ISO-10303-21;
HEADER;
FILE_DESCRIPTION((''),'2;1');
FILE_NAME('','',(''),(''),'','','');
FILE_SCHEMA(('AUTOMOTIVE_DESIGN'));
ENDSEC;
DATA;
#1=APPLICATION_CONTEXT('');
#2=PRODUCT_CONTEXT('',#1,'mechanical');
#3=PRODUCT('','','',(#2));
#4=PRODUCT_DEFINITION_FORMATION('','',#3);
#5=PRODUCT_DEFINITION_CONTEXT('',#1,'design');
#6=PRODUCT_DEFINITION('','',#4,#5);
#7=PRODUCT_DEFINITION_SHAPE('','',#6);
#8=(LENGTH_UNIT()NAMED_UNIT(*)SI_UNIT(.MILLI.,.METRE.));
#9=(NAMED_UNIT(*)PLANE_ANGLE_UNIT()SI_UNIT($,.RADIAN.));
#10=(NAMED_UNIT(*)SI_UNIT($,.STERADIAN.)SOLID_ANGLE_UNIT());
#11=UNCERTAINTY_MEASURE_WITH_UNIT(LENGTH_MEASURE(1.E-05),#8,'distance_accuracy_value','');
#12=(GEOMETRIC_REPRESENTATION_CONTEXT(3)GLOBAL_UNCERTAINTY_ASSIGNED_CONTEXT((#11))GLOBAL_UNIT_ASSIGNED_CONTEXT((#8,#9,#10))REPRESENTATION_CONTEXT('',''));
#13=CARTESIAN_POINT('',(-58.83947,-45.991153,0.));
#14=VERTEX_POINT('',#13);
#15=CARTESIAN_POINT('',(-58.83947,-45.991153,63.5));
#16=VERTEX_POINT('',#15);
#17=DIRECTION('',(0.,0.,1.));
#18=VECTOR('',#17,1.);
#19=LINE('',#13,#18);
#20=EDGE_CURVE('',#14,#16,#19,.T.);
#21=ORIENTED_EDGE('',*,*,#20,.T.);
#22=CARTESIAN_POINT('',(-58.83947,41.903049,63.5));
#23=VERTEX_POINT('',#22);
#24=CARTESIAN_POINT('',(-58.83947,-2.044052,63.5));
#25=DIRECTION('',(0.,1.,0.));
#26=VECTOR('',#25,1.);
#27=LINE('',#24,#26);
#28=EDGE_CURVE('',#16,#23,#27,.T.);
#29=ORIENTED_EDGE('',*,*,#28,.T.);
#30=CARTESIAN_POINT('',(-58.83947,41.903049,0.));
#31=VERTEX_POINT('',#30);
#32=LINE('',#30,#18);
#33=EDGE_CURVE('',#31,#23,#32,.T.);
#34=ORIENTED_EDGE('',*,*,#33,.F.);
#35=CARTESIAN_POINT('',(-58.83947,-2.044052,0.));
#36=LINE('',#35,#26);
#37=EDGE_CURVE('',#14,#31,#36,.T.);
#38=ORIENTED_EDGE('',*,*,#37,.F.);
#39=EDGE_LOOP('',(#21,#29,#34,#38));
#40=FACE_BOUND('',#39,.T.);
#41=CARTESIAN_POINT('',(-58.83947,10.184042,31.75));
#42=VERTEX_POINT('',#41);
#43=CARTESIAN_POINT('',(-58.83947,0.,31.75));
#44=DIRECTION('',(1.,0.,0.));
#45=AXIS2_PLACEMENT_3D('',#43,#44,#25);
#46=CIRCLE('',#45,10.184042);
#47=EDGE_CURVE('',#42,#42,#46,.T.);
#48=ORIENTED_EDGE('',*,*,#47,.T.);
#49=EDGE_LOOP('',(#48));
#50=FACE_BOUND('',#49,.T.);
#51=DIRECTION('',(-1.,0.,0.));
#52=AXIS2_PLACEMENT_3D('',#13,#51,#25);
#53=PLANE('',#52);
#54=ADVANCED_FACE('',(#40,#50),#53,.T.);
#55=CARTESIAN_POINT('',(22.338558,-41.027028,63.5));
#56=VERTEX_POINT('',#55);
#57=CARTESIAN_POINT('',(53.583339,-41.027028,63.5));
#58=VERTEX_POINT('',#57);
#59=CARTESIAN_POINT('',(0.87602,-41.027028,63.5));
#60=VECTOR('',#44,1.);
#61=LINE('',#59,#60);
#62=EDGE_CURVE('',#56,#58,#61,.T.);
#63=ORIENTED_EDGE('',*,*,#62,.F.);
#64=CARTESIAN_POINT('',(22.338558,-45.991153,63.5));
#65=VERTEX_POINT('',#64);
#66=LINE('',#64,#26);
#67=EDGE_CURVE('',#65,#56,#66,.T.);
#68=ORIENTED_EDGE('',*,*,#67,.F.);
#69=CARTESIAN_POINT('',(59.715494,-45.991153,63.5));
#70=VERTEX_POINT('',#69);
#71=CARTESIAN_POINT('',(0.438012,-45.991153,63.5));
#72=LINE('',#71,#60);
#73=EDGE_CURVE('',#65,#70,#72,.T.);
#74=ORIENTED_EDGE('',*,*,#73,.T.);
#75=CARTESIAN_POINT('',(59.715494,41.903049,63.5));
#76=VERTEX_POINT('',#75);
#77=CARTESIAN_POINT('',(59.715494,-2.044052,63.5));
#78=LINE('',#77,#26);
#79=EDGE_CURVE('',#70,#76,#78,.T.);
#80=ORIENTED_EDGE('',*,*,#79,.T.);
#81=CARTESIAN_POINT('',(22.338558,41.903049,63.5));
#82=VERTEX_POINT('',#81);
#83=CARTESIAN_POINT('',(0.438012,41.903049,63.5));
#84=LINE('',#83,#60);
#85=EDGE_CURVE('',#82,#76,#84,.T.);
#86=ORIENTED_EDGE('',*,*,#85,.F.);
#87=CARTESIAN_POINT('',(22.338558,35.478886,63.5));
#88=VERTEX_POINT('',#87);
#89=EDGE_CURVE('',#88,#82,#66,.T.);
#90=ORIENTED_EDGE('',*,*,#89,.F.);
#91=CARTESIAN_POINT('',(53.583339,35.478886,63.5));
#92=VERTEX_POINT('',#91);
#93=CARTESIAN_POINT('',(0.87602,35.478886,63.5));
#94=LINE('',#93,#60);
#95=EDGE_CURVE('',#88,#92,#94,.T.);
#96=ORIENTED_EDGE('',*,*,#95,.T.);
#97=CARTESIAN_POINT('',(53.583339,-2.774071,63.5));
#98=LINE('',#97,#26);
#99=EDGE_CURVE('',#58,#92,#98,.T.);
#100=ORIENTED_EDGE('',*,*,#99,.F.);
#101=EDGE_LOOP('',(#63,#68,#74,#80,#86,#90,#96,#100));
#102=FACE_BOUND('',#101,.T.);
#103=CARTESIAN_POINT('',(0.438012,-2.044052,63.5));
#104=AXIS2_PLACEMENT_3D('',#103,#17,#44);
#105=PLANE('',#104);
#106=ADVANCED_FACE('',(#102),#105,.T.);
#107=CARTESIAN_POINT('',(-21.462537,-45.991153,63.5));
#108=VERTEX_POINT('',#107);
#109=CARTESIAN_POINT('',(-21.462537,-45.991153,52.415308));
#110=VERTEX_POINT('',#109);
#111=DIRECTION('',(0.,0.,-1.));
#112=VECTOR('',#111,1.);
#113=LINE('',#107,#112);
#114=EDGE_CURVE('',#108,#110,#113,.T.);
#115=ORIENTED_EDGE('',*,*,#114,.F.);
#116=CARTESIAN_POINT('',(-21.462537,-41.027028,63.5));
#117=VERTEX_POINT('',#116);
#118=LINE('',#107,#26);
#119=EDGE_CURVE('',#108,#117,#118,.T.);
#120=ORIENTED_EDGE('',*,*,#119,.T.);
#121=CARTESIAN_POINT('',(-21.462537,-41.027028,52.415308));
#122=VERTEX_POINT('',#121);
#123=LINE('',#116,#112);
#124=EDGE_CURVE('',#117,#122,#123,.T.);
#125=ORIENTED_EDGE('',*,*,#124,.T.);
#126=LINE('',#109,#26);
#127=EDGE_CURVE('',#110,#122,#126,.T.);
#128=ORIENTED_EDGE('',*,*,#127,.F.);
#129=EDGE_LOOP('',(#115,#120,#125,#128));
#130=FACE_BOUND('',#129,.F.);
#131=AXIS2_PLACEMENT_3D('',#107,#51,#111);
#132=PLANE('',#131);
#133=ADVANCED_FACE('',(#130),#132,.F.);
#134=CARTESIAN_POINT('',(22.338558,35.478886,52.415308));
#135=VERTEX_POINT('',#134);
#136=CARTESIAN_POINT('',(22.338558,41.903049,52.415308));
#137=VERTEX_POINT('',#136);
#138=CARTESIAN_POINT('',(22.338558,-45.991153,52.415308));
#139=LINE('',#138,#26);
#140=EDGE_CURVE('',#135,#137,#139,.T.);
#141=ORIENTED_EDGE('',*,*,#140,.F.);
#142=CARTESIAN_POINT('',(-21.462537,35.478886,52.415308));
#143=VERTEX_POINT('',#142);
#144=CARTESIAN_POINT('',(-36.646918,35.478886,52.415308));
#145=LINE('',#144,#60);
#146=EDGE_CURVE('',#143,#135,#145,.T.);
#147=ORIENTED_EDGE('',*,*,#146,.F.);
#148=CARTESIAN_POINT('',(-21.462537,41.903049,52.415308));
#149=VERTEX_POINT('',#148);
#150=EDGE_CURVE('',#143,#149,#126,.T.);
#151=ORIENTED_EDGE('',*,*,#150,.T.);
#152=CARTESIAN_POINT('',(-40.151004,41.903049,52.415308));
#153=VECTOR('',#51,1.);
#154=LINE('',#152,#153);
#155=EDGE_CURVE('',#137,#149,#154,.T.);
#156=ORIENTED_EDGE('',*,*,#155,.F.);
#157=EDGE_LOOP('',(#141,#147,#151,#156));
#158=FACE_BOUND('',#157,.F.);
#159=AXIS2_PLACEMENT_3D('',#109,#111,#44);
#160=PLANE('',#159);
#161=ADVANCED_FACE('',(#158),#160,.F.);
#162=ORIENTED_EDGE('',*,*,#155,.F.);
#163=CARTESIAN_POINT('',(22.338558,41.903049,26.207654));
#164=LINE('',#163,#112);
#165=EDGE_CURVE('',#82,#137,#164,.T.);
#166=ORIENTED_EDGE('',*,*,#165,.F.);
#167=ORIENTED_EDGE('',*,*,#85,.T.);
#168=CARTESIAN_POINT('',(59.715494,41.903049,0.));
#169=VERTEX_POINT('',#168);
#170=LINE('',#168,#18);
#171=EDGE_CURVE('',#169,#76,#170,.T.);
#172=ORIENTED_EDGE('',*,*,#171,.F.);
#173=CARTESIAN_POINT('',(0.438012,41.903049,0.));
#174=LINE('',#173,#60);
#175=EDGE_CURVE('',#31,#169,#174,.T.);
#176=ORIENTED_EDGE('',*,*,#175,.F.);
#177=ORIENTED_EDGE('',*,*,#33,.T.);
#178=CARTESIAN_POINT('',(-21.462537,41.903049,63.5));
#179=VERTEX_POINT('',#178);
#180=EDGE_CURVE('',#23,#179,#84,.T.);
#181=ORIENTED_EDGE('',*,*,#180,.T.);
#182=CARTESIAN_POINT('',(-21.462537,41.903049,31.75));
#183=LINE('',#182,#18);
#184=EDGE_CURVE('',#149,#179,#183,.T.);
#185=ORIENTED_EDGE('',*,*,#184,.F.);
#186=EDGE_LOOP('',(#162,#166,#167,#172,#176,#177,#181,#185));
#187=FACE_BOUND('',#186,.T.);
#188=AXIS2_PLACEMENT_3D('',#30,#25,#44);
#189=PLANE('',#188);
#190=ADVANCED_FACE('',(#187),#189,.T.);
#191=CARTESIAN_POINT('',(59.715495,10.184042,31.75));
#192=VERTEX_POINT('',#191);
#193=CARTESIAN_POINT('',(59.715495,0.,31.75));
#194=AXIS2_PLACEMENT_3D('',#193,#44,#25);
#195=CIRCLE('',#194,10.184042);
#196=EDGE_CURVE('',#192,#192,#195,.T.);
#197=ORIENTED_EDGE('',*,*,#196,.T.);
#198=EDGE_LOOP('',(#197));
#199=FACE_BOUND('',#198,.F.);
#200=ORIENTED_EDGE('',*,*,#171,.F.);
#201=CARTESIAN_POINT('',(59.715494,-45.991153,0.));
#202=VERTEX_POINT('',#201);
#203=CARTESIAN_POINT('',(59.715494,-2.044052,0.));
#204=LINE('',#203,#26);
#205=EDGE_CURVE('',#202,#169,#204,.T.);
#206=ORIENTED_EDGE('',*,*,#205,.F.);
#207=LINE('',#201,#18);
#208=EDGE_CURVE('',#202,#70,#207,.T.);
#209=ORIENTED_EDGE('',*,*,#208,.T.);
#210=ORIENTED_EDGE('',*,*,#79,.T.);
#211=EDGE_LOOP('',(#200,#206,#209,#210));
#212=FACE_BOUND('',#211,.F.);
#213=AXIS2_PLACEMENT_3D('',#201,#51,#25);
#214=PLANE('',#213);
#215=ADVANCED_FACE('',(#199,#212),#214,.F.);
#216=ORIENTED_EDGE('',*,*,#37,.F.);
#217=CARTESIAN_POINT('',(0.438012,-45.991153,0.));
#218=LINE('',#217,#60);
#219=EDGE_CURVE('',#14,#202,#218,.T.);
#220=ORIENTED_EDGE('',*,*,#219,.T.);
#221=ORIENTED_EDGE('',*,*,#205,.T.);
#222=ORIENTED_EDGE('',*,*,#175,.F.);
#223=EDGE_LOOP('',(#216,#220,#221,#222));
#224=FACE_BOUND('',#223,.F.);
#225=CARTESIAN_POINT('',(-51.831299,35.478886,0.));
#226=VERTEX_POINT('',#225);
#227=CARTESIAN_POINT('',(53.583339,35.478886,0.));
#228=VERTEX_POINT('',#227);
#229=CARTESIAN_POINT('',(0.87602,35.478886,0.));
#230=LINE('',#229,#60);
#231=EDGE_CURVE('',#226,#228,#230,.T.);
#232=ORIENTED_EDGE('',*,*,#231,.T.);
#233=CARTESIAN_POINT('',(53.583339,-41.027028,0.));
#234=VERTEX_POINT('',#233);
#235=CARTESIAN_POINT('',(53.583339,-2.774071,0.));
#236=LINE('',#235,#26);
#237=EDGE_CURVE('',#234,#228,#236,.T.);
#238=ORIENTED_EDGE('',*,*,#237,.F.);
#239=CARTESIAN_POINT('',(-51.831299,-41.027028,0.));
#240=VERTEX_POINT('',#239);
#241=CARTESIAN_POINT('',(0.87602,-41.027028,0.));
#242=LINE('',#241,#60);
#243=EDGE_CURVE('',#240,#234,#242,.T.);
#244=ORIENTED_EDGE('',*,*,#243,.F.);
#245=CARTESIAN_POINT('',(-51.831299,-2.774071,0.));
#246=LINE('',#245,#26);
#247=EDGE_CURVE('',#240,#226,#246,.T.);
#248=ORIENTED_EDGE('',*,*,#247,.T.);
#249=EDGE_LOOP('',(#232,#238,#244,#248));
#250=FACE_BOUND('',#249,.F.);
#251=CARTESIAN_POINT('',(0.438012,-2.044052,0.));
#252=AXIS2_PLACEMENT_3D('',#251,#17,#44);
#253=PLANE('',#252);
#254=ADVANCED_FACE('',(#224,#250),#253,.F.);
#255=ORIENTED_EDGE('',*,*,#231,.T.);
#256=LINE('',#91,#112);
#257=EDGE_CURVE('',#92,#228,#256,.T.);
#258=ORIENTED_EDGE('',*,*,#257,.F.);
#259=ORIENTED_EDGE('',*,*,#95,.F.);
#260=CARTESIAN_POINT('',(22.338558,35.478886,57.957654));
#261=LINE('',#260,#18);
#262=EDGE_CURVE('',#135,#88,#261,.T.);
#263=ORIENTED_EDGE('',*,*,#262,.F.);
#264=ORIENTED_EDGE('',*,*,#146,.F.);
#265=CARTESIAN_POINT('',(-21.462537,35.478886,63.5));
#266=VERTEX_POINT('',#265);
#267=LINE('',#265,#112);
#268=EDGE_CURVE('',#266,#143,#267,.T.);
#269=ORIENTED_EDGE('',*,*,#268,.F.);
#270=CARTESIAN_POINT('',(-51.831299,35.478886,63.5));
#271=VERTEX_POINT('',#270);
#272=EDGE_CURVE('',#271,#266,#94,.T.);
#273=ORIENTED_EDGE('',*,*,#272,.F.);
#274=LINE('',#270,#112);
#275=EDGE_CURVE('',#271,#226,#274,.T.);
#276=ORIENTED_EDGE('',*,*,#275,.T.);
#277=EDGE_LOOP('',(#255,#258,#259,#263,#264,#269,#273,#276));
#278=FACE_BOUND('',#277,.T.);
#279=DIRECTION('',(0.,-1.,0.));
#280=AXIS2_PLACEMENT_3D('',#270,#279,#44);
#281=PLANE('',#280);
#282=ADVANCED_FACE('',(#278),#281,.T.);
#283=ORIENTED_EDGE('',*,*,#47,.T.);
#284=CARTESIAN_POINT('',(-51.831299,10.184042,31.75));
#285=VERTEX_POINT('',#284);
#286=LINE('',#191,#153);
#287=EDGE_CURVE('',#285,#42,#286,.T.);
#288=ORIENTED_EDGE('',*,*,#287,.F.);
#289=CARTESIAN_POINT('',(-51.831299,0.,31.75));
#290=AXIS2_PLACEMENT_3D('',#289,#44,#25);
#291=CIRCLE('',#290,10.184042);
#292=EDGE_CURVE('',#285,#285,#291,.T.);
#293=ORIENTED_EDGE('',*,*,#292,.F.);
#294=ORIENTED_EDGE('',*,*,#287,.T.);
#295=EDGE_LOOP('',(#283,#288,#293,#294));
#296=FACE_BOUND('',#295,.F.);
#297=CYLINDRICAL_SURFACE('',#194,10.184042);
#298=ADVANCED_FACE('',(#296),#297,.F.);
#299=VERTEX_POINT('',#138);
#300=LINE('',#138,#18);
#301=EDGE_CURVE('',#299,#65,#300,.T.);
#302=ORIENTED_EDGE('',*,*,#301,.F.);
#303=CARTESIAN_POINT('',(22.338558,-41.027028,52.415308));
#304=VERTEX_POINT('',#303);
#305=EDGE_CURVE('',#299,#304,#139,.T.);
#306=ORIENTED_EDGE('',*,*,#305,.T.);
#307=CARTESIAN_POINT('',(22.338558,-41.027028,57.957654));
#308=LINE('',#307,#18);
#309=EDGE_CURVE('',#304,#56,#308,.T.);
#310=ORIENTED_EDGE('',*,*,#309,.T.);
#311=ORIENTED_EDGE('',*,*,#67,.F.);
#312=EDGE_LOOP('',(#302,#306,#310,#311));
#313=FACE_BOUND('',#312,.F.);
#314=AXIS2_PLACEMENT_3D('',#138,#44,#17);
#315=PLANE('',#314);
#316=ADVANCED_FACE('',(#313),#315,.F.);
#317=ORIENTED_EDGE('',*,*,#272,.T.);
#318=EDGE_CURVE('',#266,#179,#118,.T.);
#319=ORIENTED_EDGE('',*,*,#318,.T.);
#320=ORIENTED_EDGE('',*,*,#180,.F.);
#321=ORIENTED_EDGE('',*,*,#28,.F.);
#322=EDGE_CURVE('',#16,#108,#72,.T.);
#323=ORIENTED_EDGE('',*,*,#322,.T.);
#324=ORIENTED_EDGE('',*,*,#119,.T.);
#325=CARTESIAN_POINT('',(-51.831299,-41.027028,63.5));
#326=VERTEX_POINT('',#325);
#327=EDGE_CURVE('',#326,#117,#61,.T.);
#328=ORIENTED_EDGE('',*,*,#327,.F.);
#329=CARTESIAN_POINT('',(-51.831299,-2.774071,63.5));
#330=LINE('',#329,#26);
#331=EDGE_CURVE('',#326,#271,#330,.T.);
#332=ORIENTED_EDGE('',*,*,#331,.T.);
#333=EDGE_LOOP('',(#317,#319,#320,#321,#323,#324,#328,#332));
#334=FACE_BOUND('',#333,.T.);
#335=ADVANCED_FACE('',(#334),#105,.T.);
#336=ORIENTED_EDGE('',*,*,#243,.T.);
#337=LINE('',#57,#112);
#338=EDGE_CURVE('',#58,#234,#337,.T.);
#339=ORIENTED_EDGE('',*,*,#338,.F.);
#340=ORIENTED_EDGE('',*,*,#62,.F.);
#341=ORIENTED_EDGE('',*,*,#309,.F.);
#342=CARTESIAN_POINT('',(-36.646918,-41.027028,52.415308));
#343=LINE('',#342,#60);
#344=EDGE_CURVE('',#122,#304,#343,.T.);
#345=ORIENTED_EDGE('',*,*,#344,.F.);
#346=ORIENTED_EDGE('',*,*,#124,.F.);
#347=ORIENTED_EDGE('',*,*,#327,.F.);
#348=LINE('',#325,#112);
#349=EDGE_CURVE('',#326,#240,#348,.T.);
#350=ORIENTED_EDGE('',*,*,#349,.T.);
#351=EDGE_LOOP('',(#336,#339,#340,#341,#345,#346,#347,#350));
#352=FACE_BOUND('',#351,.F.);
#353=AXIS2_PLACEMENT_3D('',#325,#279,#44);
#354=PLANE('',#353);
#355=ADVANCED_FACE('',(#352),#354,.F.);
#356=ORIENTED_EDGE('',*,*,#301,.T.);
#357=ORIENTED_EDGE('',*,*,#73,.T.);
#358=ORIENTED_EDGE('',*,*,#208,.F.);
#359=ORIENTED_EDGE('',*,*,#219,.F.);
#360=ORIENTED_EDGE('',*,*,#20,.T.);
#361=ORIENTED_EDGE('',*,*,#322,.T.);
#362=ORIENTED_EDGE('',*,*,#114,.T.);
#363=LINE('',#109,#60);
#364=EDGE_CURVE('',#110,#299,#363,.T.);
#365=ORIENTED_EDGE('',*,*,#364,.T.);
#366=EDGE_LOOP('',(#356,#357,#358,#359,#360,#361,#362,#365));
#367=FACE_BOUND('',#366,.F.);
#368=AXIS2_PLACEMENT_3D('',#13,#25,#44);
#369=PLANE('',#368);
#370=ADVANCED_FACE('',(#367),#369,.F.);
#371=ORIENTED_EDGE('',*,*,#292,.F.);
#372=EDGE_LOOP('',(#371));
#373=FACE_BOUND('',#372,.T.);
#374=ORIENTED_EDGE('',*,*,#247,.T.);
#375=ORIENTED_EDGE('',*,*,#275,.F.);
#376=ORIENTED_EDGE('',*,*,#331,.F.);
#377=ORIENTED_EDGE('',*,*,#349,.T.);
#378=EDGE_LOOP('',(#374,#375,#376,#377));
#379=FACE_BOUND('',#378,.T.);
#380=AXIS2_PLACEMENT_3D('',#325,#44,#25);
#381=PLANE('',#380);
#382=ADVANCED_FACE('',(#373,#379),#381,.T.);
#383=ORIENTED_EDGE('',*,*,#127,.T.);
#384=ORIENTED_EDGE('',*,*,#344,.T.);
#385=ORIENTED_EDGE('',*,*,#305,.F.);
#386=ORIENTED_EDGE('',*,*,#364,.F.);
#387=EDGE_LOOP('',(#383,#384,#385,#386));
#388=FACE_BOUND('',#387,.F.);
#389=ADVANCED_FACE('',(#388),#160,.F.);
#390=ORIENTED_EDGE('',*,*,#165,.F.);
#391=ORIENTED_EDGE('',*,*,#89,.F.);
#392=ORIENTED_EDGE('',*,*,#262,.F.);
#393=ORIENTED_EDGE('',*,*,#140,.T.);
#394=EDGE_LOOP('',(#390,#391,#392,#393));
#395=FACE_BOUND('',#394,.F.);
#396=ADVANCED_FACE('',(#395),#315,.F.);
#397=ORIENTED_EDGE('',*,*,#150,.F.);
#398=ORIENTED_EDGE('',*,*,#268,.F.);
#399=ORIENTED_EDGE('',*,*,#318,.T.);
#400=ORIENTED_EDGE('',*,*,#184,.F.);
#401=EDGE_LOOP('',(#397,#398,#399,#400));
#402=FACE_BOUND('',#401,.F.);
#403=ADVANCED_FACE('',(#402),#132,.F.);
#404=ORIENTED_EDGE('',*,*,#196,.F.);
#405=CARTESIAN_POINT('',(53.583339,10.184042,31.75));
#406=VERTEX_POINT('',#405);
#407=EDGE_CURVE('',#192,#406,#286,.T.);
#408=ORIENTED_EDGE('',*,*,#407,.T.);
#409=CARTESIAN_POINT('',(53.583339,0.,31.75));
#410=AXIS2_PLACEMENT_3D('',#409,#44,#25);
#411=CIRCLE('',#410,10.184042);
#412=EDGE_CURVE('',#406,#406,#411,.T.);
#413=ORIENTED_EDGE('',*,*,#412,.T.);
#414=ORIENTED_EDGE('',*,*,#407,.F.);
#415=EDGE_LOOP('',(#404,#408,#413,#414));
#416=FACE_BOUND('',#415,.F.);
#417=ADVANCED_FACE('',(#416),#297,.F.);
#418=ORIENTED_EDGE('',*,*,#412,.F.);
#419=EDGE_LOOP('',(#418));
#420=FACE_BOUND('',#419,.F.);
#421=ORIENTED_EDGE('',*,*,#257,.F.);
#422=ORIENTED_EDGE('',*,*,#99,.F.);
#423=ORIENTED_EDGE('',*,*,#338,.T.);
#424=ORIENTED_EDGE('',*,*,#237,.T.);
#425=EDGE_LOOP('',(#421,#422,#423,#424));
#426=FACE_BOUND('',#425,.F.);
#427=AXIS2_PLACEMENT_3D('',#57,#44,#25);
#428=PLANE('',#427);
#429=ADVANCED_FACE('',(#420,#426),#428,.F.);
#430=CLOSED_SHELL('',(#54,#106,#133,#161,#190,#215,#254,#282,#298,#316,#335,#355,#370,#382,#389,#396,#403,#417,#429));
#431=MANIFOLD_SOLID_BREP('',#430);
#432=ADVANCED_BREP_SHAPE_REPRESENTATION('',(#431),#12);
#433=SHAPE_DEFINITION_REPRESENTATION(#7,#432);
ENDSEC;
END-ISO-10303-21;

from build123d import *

# Parameters (mm, degrees)
F0_W     = 118.554965
F0_H     = 87.894202
F1_DEPTH = 63.5
F2_W     = 105.414637
F2_H     = 76.505914
F3_DEPTH = 63.5
F5_DEPTH = 127
F6_R     = 10.184042
F7_DEPTH = 254


with BuildPart() as f1:
    # F0 (on Top) → F1 (new body)
    with BuildSketch(Plane.XY):
        with Locations((0.438012, -2.044052)):
            Rectangle(F0_W, F0_H)
    extrude(amount=F1_DEPTH)

    # F2 (on face) → F3 (cut)
    with BuildSketch(Plane.XY.offset(63.5)):
        with Locations((0.87602, -2.774071)):
            Rectangle(F2_W, F2_H)
    extrude(amount=-F3_DEPTH, mode=Mode.SUBTRACT)

    # F4 (on face) → F5 (cut)
    with BuildSketch(Plane.XZ.offset(45.991153)):
        Polygon((22.338558, 63.5), (-21.462537, 63.5), (-21.462537, 52.415308), (0.438012, 52.415308), (22.338558, 52.415308), align=None)
    extrude(amount=-F5_DEPTH, mode=Mode.SUBTRACT)

    # F6 (on face) → F7 (cut)
    with BuildSketch(Plane.YZ.offset(59.715495)):
        with Locations((0, 31.75)):
            Circle(F6_R)
    extrude(amount=-F7_DEPTH, mode=Mode.SUBTRACT)


solid = f1.part
